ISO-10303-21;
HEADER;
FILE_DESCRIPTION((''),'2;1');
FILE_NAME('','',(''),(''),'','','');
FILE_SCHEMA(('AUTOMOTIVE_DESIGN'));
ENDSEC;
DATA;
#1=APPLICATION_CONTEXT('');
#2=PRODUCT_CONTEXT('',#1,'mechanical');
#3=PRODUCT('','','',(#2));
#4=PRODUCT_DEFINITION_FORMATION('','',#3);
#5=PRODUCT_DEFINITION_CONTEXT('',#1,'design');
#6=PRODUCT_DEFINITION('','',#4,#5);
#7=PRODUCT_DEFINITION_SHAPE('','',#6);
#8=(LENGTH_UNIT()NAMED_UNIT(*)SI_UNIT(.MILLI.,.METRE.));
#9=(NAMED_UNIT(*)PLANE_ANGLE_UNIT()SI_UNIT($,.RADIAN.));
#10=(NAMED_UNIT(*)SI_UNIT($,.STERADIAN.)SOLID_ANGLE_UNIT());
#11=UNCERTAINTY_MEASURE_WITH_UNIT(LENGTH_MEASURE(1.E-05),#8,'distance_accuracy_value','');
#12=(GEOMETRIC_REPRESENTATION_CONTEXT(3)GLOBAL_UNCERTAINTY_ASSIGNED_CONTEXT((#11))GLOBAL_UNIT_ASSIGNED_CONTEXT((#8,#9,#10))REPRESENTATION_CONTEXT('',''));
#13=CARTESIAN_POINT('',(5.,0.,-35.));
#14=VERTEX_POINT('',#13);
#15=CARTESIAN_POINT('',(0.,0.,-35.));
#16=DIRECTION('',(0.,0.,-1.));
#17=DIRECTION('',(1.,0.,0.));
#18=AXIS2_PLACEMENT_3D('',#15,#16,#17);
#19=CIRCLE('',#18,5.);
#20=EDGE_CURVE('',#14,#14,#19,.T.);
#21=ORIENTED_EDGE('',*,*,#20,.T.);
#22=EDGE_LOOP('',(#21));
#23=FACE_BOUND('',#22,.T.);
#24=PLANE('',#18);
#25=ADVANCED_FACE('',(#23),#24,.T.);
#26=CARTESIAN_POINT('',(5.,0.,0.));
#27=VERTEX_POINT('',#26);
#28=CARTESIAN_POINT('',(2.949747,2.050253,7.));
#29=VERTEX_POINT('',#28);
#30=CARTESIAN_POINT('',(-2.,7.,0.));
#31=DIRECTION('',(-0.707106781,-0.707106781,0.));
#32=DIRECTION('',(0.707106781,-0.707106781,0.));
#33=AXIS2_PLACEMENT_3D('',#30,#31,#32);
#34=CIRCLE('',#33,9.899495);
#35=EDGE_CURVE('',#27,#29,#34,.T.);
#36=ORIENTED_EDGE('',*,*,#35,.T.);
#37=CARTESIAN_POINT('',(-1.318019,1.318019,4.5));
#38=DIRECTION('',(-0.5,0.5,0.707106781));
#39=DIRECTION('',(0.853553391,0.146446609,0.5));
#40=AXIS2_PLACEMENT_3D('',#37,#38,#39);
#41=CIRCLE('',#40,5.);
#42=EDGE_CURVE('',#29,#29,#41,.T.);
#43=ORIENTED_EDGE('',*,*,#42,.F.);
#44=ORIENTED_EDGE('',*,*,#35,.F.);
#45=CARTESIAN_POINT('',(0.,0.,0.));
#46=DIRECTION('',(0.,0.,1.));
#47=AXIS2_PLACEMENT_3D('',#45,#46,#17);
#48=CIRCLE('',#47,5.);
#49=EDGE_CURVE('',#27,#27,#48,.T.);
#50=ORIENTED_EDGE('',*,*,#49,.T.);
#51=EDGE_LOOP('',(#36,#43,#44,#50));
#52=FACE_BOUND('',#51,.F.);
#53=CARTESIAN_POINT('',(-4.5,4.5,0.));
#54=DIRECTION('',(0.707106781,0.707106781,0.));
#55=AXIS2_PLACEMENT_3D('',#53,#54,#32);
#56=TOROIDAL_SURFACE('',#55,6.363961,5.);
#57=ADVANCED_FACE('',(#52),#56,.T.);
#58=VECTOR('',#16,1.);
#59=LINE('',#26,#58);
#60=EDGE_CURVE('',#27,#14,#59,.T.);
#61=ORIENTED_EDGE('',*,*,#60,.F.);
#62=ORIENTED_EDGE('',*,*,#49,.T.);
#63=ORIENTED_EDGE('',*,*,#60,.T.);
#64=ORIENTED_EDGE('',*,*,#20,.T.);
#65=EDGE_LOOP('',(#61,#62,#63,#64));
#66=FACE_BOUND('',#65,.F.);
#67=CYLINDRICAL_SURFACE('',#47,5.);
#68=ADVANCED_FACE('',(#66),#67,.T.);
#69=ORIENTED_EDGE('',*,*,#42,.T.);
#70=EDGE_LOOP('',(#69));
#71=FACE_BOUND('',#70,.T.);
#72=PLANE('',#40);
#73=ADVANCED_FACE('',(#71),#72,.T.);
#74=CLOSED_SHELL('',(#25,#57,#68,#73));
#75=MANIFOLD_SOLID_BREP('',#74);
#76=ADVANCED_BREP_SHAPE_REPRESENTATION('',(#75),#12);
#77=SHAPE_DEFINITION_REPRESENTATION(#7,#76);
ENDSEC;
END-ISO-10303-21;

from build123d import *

# Parameters (mm, degrees)
F0_R      = 5
F2_ANGLE  = 45
F2_FACE_R = 5
F4_DEPTH  = 35


with BuildPart() as f2:
    # F0 (on Top) → F2 (revolve)
    with BuildSketch(Plane.XY):
        Circle(F0_R)
    revolve(axis=Axis((-4.5, 4.5, 0), (-0.707107, -0.707107, 0)), revolution_arc=F2_ANGLE)

    # F2_face (on face) → F4 (join)
    with BuildSketch(Plane(origin=(0, 0, 0), x_dir=(1, 0, 0), z_dir=(0, 0, -1))):
        Circle(F2_FACE_R)
    extrude(amount=F4_DEPTH)


solid = f2.part
